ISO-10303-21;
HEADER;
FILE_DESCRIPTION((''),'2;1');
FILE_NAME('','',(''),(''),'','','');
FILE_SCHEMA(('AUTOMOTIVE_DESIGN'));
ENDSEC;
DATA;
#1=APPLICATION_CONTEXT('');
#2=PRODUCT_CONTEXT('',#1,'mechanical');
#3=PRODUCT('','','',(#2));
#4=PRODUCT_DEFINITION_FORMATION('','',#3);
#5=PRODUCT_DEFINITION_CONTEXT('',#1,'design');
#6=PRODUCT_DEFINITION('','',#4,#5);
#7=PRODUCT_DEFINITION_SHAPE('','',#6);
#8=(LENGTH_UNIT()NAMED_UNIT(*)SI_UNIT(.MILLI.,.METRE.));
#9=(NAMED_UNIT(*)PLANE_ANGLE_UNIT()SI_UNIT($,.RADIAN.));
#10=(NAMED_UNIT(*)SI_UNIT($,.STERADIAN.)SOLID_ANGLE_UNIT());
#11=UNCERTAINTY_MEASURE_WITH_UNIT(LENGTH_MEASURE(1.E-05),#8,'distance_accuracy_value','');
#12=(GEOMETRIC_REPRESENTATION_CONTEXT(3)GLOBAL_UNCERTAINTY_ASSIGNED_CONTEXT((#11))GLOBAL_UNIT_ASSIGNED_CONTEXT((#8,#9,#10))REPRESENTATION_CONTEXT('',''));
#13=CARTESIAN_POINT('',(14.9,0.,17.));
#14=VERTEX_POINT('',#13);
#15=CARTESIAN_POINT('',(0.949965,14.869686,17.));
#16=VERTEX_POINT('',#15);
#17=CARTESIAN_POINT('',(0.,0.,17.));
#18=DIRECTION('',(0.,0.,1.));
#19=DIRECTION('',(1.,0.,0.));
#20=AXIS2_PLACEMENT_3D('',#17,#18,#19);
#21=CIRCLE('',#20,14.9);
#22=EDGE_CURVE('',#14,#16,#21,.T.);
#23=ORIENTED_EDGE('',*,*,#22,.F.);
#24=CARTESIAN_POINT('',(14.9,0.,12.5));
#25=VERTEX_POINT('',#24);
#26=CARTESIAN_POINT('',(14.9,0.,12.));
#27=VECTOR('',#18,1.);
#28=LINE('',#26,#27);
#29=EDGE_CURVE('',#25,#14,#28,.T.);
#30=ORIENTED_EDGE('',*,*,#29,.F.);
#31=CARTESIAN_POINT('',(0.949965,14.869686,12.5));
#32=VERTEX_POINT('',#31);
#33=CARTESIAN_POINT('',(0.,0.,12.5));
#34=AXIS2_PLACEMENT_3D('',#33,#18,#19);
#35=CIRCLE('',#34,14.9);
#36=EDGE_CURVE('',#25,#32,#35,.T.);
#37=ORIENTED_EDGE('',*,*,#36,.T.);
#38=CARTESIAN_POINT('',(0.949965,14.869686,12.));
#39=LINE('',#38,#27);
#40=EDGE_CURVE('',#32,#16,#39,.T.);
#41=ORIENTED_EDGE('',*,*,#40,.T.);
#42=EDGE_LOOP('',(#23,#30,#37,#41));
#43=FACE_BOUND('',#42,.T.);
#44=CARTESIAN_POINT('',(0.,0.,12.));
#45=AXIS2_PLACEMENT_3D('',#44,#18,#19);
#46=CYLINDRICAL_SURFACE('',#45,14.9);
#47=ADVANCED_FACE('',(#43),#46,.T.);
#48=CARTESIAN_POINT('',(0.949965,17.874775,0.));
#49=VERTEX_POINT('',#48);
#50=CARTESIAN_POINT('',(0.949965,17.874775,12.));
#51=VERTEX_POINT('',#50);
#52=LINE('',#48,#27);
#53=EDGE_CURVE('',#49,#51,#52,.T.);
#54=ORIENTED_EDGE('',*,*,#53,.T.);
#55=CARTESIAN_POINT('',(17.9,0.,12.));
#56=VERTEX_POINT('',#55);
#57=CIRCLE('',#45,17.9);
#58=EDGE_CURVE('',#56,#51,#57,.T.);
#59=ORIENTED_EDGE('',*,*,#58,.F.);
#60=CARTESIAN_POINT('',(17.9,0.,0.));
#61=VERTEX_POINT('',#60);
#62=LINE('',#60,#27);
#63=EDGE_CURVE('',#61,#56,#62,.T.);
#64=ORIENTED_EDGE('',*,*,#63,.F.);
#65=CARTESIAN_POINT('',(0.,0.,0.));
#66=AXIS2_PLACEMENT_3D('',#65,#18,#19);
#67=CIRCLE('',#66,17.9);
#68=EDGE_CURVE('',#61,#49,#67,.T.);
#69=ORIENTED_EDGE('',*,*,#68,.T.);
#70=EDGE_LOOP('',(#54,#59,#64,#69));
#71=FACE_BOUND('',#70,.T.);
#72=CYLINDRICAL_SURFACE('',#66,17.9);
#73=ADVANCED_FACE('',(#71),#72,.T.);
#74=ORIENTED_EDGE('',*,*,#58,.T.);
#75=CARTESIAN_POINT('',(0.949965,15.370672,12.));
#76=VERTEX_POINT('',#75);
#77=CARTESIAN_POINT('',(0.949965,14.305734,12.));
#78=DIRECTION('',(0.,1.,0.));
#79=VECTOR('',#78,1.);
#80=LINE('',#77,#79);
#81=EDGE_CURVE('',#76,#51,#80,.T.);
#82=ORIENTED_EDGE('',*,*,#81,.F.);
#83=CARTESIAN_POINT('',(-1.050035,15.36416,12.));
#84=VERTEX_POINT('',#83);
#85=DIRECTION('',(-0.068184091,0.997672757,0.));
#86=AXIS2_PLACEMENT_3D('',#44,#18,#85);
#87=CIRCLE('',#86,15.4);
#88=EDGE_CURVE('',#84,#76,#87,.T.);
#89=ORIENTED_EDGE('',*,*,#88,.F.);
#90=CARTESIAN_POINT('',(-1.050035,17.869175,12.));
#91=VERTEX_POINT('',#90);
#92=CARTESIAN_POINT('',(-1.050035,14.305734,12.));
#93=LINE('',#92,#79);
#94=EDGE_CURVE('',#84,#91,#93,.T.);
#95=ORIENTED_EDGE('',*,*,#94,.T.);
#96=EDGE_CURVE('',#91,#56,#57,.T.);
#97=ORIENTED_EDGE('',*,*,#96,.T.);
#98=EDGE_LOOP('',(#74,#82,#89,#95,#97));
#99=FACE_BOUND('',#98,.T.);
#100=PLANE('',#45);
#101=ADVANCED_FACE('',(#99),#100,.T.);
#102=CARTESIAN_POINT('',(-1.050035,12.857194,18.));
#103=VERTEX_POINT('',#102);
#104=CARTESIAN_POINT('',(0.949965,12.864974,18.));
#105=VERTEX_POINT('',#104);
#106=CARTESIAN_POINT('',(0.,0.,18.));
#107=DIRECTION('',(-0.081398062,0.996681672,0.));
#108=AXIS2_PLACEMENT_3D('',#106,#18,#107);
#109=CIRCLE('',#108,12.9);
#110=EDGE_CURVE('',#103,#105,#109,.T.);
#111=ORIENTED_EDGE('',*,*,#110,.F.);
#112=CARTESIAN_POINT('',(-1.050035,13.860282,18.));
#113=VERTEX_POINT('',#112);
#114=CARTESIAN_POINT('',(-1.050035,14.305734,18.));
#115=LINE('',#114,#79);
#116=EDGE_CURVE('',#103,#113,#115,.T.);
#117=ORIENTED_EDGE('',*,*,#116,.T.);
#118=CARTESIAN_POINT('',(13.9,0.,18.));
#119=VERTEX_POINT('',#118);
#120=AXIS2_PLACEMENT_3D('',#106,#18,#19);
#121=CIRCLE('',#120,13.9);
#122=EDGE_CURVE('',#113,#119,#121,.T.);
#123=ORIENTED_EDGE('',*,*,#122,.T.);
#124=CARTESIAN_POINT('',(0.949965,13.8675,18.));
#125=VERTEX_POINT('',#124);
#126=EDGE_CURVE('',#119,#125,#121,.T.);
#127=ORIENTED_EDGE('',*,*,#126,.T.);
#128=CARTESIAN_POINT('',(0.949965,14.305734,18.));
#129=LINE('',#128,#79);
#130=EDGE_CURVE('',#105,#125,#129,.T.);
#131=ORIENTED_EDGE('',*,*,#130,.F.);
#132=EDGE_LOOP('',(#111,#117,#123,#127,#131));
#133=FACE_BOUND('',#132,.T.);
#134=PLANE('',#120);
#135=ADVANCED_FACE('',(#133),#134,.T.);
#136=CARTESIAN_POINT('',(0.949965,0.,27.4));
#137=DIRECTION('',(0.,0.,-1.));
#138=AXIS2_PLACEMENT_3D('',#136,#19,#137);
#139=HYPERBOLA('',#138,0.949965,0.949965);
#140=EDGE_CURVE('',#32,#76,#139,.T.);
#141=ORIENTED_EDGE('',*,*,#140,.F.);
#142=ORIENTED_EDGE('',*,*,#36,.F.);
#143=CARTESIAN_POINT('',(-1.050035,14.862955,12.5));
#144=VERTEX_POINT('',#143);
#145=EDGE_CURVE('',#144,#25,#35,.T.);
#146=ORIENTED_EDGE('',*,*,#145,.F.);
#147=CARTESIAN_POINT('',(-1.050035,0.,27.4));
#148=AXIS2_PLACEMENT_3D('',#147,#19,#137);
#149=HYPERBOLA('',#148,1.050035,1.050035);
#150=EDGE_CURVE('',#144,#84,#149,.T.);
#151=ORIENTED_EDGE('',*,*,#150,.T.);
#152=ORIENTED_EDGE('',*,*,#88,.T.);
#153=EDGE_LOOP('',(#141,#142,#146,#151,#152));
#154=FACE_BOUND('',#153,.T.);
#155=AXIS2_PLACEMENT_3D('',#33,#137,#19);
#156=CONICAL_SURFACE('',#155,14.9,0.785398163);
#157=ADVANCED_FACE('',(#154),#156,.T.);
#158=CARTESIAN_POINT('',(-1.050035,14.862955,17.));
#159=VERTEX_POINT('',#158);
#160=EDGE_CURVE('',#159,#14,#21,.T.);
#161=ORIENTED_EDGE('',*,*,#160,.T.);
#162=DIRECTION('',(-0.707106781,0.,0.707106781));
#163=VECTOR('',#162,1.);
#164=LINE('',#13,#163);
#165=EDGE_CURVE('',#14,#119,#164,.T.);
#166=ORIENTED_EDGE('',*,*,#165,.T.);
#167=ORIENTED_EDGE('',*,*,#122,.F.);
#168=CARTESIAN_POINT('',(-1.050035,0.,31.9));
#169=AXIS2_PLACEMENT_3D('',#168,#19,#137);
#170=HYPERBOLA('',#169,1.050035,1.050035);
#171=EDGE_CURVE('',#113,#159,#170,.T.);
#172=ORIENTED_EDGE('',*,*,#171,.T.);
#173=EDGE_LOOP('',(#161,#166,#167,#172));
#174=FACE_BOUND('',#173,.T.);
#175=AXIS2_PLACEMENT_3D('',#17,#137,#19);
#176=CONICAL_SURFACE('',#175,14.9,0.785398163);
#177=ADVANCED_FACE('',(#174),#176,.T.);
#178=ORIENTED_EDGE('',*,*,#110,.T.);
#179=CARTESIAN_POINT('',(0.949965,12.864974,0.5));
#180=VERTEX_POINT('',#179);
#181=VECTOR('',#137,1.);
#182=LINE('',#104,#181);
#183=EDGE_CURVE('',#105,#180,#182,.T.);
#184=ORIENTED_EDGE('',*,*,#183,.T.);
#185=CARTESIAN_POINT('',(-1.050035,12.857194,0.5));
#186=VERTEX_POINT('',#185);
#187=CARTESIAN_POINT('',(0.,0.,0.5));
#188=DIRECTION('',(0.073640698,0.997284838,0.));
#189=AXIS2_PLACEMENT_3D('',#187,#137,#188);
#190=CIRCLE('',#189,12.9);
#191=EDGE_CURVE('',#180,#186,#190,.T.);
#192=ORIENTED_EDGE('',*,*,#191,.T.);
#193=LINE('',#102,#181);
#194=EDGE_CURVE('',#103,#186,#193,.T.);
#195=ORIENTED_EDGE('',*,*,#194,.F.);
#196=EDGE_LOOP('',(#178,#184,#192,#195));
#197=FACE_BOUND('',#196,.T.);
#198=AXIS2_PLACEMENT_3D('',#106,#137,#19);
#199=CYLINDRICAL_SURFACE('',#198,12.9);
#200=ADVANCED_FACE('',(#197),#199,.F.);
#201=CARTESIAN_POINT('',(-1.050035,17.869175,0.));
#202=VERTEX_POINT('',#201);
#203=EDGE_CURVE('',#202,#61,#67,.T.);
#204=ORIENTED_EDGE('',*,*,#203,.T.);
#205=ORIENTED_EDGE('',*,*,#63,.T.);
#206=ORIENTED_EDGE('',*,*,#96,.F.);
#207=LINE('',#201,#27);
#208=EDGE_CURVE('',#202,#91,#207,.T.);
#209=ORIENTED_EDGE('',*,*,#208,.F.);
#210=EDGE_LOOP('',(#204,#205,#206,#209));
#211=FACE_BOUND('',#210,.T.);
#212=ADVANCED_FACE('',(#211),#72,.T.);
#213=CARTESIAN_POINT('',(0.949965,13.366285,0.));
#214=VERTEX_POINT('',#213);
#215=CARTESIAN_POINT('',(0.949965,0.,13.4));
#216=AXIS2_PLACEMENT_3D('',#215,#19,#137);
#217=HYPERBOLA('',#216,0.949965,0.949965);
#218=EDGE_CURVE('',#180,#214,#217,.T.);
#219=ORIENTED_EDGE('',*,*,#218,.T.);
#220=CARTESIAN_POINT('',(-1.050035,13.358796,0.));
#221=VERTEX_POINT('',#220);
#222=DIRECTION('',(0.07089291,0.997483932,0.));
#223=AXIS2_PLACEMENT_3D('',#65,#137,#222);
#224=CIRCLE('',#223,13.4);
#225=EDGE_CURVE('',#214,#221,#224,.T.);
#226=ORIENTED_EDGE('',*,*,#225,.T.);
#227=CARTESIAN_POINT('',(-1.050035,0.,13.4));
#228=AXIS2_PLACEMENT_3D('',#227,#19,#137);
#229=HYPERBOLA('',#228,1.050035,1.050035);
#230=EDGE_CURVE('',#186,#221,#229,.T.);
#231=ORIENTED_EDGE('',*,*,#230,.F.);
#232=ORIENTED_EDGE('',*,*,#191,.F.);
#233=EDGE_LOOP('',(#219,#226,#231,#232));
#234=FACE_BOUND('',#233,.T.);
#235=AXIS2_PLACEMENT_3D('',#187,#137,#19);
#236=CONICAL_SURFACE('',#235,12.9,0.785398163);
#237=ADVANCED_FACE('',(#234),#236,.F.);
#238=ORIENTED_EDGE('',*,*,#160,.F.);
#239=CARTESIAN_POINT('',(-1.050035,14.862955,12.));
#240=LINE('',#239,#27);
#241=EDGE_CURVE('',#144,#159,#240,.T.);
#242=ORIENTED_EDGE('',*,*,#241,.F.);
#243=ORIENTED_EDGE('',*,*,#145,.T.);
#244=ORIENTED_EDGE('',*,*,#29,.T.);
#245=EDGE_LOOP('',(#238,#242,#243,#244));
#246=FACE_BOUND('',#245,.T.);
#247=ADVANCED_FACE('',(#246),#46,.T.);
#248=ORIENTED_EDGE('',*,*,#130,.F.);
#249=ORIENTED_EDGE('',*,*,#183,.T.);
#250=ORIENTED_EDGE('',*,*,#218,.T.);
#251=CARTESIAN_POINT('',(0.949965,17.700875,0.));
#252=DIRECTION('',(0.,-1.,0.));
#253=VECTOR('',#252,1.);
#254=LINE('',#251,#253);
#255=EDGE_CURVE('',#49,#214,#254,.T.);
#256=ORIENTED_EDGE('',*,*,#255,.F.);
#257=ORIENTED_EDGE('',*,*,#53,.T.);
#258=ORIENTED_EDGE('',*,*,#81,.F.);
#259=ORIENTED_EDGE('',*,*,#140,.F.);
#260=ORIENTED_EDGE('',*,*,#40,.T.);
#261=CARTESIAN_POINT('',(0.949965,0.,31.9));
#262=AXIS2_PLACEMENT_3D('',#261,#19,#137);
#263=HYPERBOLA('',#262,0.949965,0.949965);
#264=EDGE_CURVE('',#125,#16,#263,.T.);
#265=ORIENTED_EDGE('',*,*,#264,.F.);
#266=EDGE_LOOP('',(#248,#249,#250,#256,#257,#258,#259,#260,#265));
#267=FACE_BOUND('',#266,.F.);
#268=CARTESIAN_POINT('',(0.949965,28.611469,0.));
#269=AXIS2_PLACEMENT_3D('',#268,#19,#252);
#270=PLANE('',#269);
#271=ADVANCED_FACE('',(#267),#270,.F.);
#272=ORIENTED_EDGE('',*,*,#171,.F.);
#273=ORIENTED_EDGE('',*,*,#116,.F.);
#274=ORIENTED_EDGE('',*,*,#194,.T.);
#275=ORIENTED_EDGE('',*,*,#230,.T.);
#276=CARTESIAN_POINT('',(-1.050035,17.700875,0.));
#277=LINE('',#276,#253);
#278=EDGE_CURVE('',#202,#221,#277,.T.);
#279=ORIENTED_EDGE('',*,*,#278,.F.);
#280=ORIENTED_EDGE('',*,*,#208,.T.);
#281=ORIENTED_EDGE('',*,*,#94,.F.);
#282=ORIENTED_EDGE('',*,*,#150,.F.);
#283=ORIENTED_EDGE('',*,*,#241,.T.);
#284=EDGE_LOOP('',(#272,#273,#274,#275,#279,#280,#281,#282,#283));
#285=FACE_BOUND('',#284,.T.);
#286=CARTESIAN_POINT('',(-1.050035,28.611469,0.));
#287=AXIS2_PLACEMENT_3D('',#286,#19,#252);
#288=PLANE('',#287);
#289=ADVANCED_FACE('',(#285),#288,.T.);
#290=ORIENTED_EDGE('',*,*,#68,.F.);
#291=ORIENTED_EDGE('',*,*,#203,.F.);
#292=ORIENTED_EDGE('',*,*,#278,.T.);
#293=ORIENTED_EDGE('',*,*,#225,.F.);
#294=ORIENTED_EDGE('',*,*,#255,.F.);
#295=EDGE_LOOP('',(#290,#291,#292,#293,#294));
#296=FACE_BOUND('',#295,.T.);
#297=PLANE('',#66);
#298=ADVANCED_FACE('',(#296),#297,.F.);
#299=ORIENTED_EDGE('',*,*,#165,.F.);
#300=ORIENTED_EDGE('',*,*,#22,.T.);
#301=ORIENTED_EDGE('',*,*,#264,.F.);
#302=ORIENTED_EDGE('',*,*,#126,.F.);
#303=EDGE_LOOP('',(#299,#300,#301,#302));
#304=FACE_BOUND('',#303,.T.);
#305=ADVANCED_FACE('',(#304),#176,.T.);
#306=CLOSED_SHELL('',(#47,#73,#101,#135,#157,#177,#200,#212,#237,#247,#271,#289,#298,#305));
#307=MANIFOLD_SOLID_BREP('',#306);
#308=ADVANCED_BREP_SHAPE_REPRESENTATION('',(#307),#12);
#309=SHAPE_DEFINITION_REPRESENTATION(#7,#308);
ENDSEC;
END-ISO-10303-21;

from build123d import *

# Parameters (mm, degrees)
CHAMFER_SIZE    = 0.5
CHAMFER001_SIZE = 1
CHAMFER002_SIZE = 0.5
SKETCH001_W     = 2
SKETCH001_H     = 21.821188
POCKET_DEPTH    = 18.001


with BuildPart() as part:
    # Sketch → Revolution (revolve)
    with BuildSketch(Plane.XZ):
        Polygon((12.9, 0), (17.9, 0), (17.9, 12), (14.9, 12), (14.9, 18), (12.9, 18), align=None)
    revolve(axis=Axis((0, 0, 0), (0, 0, 1)))

    # Chamfer
    chamfer_edges = [part.edges().sort_by_distance(p)[0] for p in [
        (-14.9, 0, 12),
    ]]
    chamfer(chamfer_edges, length=CHAMFER_SIZE)

    # Chamfer001
    chamfer001_edges = [part.edges().sort_by_distance(p)[0] for p in [
        (-14.9, 0, 18),
    ]]
    chamfer(chamfer001_edges, length=CHAMFER001_SIZE)

    # Chamfer002
    chamfer002_edges = [part.edges().sort_by_distance(p)[0] for p in [
        (-12.9, 0, 0),
    ]]
    chamfer(chamfer002_edges, length=CHAMFER002_SIZE)

    # Sketch001 (on Face4 of Chamfer002) → Pocket (cut, through all)
    with BuildSketch(Plane(origin=(0, 0, 0), x_dir=(1, 0, 0), z_dir=(0, 0, -1))):
        with Locations((-0.050035, -17.700875)):
            Rectangle(SKETCH001_W, SKETCH001_H)
    extrude(amount=-POCKET_DEPTH, mode=Mode.SUBTRACT)


solid = part.part
